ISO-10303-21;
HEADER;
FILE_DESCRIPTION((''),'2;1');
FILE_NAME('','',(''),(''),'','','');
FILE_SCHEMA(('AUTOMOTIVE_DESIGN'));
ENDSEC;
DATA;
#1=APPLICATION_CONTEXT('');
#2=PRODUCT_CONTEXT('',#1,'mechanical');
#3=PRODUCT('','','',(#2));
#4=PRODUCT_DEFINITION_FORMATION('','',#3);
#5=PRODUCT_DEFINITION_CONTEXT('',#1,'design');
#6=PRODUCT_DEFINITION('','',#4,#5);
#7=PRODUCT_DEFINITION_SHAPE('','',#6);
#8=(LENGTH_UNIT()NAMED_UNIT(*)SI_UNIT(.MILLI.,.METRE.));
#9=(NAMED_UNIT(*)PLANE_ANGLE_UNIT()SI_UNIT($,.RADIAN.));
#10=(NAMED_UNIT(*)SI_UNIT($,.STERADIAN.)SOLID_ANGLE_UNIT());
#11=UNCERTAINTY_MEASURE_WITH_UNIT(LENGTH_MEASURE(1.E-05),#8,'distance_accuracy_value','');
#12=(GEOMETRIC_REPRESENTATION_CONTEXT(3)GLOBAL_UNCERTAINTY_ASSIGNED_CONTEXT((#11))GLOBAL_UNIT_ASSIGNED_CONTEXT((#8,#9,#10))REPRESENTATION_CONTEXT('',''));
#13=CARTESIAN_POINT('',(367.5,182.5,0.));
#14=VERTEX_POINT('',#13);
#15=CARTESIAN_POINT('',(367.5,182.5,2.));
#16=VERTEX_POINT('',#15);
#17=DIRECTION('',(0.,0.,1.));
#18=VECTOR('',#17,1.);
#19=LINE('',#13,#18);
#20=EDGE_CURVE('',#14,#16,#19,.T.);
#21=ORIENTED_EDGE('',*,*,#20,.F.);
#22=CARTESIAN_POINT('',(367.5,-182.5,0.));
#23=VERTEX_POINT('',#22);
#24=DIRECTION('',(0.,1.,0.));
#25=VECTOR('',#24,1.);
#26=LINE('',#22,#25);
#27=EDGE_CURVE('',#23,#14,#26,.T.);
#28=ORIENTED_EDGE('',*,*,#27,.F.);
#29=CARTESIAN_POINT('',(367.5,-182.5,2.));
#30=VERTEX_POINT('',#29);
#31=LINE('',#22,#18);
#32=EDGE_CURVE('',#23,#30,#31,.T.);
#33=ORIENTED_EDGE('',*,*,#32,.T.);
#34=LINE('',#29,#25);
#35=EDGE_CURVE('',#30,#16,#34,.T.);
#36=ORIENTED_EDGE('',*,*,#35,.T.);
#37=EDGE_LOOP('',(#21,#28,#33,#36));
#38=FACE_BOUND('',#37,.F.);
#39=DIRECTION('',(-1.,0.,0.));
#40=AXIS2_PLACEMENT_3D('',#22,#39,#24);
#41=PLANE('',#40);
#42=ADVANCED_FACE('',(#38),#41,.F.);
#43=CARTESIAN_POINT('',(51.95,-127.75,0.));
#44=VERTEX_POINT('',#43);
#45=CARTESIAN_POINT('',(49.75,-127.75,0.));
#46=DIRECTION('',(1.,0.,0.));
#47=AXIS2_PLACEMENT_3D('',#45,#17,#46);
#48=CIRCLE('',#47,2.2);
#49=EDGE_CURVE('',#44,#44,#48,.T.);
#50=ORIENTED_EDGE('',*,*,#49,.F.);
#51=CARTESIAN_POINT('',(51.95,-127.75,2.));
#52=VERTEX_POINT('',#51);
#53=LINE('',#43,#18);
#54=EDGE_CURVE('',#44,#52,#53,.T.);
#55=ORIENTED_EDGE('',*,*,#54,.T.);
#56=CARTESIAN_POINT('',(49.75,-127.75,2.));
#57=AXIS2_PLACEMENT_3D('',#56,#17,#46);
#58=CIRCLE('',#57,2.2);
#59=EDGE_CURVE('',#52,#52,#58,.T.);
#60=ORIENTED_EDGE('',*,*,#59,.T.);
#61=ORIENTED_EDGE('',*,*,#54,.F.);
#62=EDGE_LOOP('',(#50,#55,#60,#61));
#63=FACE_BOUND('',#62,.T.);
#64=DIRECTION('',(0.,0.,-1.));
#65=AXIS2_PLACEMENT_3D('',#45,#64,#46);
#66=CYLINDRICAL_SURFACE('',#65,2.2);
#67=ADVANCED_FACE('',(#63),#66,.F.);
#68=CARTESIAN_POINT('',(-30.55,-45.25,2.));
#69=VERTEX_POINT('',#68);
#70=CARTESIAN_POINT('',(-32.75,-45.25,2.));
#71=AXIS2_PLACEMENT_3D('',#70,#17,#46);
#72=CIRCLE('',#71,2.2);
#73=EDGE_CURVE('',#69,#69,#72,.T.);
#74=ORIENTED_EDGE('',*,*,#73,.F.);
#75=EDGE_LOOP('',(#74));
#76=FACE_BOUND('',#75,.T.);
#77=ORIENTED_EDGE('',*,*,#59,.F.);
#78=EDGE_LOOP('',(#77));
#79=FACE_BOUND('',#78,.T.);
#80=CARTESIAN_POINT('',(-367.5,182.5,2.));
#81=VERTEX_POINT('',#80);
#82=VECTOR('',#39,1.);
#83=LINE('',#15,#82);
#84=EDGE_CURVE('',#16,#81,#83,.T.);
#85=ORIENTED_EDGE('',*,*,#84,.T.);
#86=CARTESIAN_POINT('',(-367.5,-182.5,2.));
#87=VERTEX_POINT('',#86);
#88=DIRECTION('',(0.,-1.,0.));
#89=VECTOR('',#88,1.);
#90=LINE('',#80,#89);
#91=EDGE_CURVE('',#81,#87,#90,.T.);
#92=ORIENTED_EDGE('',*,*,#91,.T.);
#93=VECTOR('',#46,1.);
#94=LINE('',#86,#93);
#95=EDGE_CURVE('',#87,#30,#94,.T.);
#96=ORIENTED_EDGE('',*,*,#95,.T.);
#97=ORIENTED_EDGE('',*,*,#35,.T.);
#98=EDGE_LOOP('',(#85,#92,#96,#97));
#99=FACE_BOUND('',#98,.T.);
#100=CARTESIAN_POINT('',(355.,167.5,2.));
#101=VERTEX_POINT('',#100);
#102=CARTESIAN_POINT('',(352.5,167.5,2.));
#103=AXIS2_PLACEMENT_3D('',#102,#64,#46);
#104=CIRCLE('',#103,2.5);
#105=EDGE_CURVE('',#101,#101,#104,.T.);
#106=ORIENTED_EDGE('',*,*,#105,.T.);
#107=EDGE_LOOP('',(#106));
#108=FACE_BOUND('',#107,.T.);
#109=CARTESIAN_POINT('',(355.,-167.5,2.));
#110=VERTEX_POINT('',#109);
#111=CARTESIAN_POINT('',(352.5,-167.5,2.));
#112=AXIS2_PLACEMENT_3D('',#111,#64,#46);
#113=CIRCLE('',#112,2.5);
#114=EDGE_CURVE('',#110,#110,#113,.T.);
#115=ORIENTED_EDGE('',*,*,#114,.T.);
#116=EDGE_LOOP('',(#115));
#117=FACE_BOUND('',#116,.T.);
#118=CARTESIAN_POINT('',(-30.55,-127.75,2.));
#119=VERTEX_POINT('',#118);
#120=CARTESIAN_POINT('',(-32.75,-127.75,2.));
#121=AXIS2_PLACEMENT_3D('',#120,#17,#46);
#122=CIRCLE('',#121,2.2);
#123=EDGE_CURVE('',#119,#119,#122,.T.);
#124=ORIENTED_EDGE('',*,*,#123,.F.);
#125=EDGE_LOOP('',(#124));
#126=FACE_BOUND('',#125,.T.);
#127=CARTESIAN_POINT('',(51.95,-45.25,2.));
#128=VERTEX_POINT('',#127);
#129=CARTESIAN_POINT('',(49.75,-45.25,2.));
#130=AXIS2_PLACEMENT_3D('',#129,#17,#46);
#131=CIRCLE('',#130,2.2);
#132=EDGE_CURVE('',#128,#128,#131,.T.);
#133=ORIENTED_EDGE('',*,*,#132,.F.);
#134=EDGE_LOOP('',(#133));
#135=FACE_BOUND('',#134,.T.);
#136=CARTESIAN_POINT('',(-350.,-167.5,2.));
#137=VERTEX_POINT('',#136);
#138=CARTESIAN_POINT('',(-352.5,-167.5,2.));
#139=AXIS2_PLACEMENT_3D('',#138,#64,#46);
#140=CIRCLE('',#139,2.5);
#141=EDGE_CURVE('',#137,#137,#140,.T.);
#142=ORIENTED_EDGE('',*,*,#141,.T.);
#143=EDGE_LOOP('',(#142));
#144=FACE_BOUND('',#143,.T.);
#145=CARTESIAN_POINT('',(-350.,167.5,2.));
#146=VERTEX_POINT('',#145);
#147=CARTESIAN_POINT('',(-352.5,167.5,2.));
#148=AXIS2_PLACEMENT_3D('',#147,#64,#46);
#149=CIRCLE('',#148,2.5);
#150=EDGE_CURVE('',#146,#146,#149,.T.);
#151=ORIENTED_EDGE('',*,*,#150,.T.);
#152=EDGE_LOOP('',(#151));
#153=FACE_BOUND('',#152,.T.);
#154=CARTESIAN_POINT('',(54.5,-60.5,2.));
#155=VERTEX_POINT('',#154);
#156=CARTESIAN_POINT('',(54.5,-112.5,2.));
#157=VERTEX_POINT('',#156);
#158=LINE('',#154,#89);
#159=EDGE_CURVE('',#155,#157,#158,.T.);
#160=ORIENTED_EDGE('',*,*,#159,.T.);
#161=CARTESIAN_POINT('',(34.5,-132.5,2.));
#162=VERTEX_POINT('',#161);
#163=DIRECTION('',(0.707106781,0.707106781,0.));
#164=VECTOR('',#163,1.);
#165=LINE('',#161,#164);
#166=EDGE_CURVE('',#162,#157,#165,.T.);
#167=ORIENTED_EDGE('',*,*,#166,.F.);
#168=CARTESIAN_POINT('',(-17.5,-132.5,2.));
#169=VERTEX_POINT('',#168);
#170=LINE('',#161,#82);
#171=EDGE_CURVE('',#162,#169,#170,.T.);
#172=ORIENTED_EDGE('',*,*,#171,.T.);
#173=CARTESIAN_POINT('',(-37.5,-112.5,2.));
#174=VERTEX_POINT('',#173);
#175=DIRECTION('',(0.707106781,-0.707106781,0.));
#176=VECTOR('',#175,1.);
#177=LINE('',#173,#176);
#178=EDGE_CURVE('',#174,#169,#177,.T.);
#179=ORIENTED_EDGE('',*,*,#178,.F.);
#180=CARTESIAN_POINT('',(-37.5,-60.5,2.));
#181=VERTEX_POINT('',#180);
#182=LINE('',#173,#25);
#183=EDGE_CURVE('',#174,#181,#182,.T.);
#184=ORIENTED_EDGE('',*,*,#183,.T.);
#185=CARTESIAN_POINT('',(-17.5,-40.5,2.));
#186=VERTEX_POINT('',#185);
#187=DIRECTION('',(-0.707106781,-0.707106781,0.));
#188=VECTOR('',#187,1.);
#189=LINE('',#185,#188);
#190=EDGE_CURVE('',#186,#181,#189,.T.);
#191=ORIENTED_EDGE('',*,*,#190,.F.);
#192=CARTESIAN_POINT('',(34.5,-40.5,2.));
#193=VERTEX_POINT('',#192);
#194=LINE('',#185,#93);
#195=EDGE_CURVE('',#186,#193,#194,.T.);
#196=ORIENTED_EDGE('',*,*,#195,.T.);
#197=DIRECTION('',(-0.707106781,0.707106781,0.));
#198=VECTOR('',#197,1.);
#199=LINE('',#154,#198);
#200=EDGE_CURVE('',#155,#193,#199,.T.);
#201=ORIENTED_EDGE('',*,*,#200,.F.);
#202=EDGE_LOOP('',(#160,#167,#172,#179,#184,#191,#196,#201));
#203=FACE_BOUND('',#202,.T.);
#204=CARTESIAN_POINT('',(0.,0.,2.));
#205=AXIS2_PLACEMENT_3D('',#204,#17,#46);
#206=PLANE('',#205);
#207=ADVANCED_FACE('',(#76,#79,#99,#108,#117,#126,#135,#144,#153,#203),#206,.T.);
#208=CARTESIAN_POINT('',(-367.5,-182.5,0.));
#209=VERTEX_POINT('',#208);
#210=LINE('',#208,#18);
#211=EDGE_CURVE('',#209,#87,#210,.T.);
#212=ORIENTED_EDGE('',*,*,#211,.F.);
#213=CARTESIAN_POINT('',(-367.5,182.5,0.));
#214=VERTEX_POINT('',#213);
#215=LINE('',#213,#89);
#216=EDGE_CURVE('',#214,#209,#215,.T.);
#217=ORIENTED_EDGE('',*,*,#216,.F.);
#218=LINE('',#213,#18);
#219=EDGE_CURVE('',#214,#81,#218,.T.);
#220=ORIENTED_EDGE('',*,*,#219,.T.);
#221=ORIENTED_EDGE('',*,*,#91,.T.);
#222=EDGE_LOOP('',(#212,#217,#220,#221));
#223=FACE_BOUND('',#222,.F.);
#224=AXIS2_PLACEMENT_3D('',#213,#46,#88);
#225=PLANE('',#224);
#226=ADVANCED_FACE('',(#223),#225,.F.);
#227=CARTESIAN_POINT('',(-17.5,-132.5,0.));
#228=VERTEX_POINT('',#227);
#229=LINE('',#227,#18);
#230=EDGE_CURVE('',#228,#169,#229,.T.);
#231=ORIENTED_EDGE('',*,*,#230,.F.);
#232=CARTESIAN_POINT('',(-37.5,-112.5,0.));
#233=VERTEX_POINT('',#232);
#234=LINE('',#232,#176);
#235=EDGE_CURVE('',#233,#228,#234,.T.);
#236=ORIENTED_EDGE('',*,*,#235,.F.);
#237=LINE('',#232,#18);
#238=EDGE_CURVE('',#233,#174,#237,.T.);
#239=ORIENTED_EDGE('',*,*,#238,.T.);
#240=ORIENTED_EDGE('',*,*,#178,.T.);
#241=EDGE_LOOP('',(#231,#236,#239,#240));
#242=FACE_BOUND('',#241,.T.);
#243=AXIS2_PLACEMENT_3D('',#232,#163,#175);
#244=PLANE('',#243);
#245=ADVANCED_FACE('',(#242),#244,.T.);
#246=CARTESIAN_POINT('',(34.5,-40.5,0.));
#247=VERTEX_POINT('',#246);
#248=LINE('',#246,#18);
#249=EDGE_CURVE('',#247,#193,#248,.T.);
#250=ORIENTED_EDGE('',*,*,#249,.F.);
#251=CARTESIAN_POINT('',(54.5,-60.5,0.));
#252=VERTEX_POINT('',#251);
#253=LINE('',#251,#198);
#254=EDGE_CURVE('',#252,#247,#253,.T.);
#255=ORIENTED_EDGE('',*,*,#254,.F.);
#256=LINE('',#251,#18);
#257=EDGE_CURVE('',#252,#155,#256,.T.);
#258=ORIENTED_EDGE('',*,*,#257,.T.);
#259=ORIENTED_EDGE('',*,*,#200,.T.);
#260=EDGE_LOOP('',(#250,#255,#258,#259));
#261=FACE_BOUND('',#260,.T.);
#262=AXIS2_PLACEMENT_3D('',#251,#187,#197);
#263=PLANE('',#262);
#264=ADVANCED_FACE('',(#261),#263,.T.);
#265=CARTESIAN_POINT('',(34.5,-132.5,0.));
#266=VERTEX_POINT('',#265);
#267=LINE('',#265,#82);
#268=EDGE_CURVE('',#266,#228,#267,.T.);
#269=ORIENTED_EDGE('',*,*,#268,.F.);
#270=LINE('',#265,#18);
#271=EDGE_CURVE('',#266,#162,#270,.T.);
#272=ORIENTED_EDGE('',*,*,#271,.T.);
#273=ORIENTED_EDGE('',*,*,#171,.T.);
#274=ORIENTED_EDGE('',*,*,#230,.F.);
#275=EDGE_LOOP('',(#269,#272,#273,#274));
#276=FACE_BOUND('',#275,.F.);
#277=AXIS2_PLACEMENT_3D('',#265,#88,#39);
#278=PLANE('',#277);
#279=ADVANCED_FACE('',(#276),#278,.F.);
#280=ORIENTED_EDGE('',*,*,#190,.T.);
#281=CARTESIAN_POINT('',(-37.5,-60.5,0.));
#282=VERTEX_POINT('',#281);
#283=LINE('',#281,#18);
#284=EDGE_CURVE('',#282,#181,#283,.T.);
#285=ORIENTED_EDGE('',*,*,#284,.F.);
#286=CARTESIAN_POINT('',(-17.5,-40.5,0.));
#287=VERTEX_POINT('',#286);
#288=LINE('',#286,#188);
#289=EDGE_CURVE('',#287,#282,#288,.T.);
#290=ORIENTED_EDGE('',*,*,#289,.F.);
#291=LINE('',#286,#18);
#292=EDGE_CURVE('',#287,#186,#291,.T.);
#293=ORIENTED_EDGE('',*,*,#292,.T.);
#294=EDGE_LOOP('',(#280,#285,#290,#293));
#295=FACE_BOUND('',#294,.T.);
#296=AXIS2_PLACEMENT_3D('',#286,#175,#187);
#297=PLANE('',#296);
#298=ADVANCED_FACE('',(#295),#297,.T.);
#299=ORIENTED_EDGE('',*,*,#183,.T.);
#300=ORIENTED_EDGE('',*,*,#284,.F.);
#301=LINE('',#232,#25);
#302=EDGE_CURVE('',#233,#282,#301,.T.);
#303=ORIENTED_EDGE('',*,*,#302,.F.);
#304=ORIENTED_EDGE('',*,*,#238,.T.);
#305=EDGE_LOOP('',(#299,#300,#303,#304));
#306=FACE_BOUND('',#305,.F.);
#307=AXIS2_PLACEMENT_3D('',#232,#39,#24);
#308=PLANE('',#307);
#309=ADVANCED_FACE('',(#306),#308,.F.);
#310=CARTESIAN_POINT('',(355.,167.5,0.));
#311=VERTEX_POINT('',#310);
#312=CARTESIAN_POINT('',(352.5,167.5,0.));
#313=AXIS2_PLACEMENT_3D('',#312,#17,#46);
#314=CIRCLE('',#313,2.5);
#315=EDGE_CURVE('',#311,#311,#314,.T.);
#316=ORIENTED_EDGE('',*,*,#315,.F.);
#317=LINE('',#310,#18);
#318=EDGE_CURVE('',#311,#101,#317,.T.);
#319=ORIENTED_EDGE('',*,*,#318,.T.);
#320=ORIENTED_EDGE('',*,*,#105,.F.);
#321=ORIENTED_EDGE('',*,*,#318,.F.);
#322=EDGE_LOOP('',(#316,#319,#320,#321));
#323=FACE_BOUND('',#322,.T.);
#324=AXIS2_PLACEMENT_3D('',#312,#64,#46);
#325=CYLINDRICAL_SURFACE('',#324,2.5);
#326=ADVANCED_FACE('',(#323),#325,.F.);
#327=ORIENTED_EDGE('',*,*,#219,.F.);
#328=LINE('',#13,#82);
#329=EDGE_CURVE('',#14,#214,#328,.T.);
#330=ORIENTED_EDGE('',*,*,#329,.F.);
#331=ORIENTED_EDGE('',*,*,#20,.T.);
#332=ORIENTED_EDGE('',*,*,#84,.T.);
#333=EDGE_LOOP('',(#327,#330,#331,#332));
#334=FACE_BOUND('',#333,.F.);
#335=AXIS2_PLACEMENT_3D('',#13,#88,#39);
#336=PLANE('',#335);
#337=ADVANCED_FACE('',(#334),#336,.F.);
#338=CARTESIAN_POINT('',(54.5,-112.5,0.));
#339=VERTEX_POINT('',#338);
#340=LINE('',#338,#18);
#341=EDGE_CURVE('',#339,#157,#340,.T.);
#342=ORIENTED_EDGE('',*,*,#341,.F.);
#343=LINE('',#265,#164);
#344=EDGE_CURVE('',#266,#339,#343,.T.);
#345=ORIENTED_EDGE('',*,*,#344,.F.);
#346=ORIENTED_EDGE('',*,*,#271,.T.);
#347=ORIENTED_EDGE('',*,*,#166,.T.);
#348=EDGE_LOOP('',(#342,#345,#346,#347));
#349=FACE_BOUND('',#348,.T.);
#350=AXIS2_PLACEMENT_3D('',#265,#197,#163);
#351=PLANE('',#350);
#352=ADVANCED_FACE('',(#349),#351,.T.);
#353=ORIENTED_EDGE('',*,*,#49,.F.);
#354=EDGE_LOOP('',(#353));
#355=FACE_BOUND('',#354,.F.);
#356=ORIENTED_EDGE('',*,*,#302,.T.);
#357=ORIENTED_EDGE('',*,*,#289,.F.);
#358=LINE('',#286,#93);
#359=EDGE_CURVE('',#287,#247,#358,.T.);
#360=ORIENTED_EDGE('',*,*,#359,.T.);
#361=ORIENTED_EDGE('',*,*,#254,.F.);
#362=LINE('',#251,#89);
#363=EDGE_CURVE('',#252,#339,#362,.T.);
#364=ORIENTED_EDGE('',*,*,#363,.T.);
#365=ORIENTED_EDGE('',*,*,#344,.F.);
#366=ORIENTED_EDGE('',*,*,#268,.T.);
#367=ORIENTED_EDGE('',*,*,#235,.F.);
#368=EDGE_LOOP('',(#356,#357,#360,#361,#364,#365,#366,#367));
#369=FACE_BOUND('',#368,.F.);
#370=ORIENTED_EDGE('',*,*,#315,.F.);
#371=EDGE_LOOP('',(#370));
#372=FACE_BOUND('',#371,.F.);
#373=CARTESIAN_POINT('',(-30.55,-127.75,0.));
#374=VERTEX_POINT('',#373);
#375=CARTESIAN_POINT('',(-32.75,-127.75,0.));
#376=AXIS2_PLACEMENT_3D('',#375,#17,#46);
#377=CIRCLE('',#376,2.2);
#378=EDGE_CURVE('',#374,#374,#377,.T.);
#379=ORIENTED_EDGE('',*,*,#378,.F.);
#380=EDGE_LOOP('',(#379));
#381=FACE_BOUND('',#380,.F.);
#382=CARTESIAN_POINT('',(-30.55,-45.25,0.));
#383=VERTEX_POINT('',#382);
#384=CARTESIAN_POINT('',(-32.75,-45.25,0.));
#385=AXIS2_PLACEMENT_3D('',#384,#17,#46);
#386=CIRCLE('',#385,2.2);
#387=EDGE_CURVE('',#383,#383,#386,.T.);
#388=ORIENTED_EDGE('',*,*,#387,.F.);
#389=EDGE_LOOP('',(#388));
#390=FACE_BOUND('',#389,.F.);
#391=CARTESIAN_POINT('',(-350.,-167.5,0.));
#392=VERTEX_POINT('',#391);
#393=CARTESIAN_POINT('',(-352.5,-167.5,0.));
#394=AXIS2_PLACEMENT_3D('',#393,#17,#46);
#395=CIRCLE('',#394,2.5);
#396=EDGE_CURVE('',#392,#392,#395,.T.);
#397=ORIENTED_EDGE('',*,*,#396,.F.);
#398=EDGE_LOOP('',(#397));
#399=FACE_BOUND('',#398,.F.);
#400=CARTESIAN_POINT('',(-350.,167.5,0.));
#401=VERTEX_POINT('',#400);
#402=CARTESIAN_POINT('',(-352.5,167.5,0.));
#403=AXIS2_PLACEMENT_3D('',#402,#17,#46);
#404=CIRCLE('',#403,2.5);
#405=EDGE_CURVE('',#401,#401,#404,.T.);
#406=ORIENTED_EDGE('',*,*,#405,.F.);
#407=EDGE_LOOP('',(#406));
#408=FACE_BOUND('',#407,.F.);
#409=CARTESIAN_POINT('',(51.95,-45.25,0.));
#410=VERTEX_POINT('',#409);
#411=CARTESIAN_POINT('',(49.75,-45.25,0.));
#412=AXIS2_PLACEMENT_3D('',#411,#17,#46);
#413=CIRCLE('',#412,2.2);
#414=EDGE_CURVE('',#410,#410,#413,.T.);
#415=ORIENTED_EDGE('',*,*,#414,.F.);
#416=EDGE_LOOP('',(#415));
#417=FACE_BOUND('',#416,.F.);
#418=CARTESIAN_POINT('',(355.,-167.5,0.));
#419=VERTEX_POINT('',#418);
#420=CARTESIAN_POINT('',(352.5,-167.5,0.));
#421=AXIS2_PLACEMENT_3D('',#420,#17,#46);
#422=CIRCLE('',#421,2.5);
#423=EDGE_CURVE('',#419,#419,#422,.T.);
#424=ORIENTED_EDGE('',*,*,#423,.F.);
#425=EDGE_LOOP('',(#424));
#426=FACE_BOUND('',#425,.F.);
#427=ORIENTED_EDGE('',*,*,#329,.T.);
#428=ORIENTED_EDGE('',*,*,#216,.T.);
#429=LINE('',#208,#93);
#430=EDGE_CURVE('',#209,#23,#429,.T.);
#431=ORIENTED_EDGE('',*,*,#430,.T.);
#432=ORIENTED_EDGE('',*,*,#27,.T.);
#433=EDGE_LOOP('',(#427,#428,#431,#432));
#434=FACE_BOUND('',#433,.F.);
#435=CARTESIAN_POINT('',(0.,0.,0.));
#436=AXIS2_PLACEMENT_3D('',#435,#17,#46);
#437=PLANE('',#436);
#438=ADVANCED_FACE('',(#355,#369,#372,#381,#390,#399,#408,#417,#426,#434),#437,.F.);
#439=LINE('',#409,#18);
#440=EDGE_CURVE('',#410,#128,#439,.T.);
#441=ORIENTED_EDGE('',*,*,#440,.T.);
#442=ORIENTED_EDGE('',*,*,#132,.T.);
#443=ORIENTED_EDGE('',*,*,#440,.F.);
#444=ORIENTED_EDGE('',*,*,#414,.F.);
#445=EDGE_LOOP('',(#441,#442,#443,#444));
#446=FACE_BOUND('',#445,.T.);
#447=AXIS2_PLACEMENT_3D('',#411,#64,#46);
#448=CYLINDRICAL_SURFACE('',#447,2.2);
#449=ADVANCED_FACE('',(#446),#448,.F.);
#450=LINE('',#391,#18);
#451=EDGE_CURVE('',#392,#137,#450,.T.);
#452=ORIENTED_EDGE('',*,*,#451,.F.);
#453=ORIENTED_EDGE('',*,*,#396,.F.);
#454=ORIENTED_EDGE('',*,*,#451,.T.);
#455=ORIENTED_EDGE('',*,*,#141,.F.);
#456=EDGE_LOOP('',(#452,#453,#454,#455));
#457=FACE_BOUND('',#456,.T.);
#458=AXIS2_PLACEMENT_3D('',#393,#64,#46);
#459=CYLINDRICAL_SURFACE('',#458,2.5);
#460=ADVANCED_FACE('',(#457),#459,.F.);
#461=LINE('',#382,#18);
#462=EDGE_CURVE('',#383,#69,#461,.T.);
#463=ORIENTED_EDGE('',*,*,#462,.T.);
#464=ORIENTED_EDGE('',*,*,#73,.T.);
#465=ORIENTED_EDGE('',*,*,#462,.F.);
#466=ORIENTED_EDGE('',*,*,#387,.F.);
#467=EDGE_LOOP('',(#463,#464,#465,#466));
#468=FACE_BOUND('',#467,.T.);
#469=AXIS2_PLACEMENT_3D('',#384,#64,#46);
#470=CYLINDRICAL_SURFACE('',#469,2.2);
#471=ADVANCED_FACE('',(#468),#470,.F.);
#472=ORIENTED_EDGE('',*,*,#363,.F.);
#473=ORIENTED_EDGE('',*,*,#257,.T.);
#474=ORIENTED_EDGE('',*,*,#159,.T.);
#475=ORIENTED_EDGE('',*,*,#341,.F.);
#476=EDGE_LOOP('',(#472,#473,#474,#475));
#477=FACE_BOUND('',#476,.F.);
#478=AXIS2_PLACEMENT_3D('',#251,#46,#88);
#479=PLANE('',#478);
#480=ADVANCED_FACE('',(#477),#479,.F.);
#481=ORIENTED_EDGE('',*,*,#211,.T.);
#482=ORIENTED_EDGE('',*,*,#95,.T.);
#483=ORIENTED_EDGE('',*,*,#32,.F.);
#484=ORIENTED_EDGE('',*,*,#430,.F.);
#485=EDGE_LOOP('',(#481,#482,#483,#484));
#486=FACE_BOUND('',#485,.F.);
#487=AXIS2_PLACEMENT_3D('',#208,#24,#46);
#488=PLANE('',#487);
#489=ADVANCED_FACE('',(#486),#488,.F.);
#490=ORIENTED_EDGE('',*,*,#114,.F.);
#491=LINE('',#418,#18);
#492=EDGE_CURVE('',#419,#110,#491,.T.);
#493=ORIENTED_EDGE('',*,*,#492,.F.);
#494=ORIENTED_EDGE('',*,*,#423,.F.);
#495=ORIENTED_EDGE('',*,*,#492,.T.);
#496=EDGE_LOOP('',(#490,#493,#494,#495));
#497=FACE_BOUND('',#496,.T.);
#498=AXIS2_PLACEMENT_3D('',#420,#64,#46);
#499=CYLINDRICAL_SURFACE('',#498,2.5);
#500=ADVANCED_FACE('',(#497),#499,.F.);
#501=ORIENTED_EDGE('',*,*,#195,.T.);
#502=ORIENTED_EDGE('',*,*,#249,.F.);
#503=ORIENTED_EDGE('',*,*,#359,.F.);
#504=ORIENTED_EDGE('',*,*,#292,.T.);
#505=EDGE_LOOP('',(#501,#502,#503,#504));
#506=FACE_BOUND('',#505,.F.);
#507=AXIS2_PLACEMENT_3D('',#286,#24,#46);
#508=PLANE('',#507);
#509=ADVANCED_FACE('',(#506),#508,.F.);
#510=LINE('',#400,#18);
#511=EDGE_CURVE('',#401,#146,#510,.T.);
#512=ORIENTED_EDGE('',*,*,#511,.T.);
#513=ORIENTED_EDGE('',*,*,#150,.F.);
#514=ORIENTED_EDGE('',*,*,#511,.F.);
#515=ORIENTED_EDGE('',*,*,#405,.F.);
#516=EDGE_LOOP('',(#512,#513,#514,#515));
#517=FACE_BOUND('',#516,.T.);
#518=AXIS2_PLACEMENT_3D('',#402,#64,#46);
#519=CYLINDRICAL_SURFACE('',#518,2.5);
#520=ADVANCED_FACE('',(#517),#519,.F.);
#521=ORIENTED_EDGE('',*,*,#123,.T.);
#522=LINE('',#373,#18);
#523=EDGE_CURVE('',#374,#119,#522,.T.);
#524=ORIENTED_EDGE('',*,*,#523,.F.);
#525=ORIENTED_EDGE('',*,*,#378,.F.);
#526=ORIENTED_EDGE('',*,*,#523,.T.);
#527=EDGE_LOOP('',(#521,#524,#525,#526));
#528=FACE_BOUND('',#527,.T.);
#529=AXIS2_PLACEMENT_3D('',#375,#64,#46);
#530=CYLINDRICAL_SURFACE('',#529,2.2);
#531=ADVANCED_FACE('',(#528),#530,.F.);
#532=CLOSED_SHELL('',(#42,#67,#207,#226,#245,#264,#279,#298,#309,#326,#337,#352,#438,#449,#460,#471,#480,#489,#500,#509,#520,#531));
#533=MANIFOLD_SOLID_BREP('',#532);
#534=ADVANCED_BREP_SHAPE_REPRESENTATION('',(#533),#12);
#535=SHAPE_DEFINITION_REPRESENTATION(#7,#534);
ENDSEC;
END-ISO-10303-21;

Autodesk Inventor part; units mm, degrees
ref_plane "YZ Plane" through (0, 0, 0) normal (1, 0, 0) x (0, 1, 0)
ref_plane "XZ Plane" through (0, 0, 0) normal (0, 1, 0) x (-1, 0, 0)
ref_plane "XY Plane" through (0, 0, 0) normal (0, 0, 1) x (1, 0, 0)
sketch "Esquisse1" plane through (0, 0, 0) normal (0, 0, 1) x (1, 0, 0)
  line L0 (-367.5, -182.5) -> (367.5, -182.5)
  line L1 (367.5, -182.5) -> (367.5, 182.5)
  line L2 (367.5, 182.5) -> (-367.5, 182.5)
  line L3 (-367.5, 182.5) -> (-367.5, -182.5)
  line L4 (-367.5, -182.5) -> (367.5, 182.5) construction
  line L5 (-355, -170) -> (355, -170)
  line L6 (355, -170) -> (355, 170)
  line L7 (355, 170) -> (-355, 170)
  line L8 (-355, 170) -> (-355, -170)
  line L9 (-355, -170) -> (355, 170) construction
  circle A0 centre (-352.5, 167.5) radius 2.5
  circle A1 centre (-352.5, -167.5) radius 2.5
  circle A2 centre (352.5, -167.5) radius 2.5
  circle A3 centre (352.5, 167.5) radius 2.5
  line L10 (-17.5, -40.5) -> (34.5, -40.5)
  line L11 (54.5, -60.5) -> (54.5, -112.5)
  line L12 (34.5, -132.5) -> (-17.5, -132.5)
  line L13 (-37.5, -112.5) -> (-37.5, -60.5)
  line L14 (-37.5, -40.5) -> (54.5, -132.5) construction
  line L15 (54.5, -40.5) -> (-37.5, -132.5) construction
  line L16 (-17.5, -40.5) -> (-37.5, -60.5)
  line L17 (-37.5, -112.5) -> (-17.5, -132.5)
  line L18 (34.5, -132.5) -> (54.5, -112.5)
  line L19 (54.5, -60.5) -> (34.5, -40.5)
  circle A4 centre (-32.75, -45.25) radius 2.2
  circle A5 centre (49.75, -45.25) radius 2.2
  circle A6 centre (49.75, -127.75) radius 2.2
  circle A7 centre (-32.75, -127.75) radius 2.2
  point P0 (0, 0)
  point P1 (-355, -167.5)
  point P2 (-352.5, -170)
  point P3 (352.5, -170)
  point P4 (355, -167.5)
  point P5 (355, 167.5)
  point P6 (352.5, 170)
  point P7 (-355, 167.5)
  point P8 (-352.5, 170)
  point P9 (8.5, -86.5)
  dimension "d0" = 735
  dimension "d1" = 365
  dimension "d2" = 12.5
  dimension "d3" = 12.5
  dimension "d4" = 5
  dimension "d7" = 5
  dimension "d8" = 5
  dimension "d9" = 5
  dimension "d36" = 92
  dimension "d37" = 92
  dimension "d38" = 50
  dimension "d39" = 313
  dimension "d48" = 20
  dimension "d49" = 20
  dimension "d50" = 20
  dimension "d51" = 20
  dimension "d52" = 20
  dimension "d53" = 20
  dimension "d54" = 20
  dimension "d55" = 20
  dimension "d57" = 4.4
  dimension "d58" = 4.4
  dimension "d59" = 4.4
  dimension "d60" = 4.4
  dimension "d61" = 4.75
  dimension "d62" = 4.75
extrude "Extrusion1" add sketch "Esquisse1" along normal blind 2 contours L3 L2 L1 L0 | L8 A1 L5 | A1 L8 A0 L7 A3 L6 A2 L5 | A2 L6 L5 | L8 L7 A0 | A3 L7 L6
properties part number "PlaqueVentilo"
